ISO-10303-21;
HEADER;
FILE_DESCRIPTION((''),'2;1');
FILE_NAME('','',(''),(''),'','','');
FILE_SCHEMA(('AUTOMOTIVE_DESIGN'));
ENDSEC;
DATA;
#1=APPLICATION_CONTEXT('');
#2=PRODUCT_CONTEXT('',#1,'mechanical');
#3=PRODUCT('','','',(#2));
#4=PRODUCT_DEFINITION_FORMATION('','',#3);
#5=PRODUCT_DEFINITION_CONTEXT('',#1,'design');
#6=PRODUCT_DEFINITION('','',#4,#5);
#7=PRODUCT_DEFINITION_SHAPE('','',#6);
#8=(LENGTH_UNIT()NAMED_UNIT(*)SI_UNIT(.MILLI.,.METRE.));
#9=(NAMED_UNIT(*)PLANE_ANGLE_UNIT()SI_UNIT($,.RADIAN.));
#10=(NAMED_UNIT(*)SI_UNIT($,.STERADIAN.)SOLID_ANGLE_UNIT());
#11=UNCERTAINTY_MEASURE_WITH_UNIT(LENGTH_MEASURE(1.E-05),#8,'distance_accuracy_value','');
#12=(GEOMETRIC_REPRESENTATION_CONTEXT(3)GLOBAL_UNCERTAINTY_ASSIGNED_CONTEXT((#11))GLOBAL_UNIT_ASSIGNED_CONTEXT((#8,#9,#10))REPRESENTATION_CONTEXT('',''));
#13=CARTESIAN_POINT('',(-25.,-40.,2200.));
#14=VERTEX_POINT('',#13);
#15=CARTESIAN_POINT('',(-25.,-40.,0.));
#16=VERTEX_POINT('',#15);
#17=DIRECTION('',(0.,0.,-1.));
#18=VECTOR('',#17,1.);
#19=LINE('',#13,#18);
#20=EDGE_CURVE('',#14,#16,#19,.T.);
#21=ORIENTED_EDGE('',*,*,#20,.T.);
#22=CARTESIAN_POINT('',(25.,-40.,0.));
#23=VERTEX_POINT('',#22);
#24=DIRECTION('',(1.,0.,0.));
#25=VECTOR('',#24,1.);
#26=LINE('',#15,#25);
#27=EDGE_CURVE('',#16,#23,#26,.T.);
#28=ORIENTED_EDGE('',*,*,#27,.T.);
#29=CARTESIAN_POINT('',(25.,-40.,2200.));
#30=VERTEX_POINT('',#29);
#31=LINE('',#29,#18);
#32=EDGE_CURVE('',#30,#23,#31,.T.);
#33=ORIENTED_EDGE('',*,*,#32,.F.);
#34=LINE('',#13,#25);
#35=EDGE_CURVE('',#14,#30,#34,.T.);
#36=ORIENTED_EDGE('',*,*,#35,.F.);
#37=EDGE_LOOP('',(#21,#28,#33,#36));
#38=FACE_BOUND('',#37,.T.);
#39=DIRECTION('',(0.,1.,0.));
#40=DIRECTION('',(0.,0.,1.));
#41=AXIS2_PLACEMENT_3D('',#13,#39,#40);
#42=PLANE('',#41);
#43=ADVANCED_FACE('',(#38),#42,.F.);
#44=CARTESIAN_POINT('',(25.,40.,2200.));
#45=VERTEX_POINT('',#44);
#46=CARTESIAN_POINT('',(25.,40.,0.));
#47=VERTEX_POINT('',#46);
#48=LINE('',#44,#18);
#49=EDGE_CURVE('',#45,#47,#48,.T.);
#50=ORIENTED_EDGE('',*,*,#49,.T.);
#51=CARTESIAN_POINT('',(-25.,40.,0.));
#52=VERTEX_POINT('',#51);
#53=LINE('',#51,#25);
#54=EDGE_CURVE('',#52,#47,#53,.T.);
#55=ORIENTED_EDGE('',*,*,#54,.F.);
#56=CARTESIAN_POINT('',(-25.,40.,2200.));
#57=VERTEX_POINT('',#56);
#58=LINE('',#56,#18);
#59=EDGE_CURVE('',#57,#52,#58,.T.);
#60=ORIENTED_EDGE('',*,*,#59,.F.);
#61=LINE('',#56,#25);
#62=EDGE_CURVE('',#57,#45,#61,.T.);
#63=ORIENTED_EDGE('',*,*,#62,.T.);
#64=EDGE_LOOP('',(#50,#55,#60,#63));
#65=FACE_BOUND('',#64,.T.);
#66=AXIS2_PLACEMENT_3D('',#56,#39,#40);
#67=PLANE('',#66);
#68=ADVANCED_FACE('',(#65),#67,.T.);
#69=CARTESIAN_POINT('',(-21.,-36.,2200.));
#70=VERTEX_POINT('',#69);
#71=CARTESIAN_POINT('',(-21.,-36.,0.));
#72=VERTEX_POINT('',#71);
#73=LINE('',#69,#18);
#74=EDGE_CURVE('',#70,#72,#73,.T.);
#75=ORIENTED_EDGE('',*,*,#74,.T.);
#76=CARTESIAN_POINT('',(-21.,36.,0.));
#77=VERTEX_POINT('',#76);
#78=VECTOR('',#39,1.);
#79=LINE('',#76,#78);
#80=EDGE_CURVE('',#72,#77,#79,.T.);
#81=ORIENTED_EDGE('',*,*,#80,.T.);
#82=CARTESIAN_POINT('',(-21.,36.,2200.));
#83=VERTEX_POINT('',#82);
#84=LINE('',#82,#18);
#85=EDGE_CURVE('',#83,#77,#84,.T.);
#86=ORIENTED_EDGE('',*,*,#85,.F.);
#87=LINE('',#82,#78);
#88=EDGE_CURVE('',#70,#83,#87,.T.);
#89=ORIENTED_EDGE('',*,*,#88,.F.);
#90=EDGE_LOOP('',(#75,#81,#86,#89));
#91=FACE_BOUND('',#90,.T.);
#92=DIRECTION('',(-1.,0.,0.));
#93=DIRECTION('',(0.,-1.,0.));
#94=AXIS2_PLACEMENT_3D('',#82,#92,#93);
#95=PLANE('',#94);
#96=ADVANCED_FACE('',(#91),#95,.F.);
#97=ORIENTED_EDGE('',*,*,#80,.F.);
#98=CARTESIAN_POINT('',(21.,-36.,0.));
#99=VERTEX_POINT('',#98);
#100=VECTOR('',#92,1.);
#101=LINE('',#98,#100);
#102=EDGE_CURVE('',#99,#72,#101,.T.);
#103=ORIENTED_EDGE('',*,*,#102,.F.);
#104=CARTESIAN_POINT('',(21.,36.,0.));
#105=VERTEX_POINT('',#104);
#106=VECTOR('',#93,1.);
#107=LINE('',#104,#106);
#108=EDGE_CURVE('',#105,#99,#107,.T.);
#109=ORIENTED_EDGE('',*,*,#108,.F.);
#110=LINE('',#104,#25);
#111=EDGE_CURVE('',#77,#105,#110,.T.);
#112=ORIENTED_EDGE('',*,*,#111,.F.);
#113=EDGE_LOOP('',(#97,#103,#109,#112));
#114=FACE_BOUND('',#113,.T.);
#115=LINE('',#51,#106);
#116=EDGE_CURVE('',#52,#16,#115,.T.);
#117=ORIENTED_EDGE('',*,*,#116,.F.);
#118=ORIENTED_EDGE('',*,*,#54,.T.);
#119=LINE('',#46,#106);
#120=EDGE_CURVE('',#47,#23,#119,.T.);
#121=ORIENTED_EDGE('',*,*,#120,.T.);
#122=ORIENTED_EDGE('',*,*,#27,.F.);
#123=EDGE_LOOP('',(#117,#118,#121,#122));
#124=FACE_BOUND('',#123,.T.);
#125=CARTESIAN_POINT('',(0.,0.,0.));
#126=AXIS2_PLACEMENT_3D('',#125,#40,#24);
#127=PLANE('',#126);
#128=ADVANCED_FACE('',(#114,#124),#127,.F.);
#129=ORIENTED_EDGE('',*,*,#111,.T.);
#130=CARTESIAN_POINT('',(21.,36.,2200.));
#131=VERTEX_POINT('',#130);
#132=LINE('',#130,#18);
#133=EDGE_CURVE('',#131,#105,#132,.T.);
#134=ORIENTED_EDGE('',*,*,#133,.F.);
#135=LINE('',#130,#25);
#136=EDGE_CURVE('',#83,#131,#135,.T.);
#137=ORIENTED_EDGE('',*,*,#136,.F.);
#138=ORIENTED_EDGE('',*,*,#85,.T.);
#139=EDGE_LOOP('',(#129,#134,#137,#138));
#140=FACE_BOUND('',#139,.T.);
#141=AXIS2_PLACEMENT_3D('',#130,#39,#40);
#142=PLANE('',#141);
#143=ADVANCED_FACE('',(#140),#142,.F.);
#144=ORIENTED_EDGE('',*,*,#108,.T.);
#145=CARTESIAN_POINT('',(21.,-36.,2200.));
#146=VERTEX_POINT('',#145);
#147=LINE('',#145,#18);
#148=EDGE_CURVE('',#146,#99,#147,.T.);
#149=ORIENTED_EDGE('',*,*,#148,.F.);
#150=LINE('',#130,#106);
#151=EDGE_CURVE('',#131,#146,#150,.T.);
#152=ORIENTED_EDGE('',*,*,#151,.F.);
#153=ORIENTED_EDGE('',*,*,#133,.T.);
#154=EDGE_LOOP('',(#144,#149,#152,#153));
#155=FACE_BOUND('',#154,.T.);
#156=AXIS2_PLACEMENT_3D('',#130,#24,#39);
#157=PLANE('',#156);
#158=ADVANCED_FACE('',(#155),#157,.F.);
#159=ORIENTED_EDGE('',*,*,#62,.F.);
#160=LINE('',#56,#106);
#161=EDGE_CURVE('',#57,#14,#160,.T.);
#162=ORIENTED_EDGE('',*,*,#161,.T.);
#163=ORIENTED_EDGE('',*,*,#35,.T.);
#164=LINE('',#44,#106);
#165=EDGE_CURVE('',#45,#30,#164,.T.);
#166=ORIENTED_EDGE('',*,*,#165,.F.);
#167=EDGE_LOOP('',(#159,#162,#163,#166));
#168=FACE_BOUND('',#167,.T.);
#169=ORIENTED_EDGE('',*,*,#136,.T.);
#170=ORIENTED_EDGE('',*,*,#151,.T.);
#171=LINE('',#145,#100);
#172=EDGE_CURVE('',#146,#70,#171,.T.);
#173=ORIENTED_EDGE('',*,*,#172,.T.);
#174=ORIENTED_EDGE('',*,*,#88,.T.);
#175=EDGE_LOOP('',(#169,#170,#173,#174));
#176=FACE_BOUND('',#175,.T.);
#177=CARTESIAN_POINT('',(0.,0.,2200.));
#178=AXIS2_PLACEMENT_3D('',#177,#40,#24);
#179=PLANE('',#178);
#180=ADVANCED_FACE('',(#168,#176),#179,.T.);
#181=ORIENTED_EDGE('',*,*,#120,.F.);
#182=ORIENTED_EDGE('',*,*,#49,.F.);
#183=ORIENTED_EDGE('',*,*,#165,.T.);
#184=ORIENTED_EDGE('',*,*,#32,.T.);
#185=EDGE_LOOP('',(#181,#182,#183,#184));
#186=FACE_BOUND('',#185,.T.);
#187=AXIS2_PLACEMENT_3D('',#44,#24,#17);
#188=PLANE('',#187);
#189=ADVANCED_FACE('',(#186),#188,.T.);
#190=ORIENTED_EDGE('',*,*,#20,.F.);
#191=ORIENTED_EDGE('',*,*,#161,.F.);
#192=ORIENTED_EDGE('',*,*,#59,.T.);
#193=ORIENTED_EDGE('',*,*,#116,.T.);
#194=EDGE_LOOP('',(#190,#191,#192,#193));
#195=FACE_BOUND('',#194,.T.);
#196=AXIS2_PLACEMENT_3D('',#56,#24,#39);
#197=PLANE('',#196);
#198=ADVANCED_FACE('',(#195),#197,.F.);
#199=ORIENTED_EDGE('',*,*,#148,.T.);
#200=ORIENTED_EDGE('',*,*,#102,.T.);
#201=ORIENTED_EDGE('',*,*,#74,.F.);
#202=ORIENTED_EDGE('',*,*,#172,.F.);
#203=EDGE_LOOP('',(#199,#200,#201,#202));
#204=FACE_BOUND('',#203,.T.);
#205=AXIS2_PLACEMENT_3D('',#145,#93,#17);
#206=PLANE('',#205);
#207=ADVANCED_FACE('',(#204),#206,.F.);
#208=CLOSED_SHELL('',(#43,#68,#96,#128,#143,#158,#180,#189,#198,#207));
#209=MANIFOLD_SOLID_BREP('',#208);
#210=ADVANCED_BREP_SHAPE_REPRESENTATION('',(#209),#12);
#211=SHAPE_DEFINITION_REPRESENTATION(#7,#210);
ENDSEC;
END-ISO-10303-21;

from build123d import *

# Parameters (mm, degrees)
SKETCH1_W           = 50
SKETCH1_H           = 80
BOSS_EXTRUDE1_DEPTH = 2200
SKETCH2_W           = 42
SKETCH2_H           = 72
CUT_EXTRUDE1_DEPTH  = 2200


with BuildPart() as part:
    # Sketch1 → Boss-Extrude1 (new body)
    with BuildSketch(Plane.XY):
        Rectangle(SKETCH1_W, SKETCH1_H)
    extrude(amount=BOSS_EXTRUDE1_DEPTH)

    # Sketch2 → Cut-Extrude1 (cut)
    with BuildSketch(Plane(origin=(0, 0, 0), x_dir=(-1, 0, 0), z_dir=(0, 0, -1))):
        Rectangle(SKETCH2_W, SKETCH2_H)
    extrude(amount=-CUT_EXTRUDE1_DEPTH, mode=Mode.SUBTRACT)


solid = part.part
